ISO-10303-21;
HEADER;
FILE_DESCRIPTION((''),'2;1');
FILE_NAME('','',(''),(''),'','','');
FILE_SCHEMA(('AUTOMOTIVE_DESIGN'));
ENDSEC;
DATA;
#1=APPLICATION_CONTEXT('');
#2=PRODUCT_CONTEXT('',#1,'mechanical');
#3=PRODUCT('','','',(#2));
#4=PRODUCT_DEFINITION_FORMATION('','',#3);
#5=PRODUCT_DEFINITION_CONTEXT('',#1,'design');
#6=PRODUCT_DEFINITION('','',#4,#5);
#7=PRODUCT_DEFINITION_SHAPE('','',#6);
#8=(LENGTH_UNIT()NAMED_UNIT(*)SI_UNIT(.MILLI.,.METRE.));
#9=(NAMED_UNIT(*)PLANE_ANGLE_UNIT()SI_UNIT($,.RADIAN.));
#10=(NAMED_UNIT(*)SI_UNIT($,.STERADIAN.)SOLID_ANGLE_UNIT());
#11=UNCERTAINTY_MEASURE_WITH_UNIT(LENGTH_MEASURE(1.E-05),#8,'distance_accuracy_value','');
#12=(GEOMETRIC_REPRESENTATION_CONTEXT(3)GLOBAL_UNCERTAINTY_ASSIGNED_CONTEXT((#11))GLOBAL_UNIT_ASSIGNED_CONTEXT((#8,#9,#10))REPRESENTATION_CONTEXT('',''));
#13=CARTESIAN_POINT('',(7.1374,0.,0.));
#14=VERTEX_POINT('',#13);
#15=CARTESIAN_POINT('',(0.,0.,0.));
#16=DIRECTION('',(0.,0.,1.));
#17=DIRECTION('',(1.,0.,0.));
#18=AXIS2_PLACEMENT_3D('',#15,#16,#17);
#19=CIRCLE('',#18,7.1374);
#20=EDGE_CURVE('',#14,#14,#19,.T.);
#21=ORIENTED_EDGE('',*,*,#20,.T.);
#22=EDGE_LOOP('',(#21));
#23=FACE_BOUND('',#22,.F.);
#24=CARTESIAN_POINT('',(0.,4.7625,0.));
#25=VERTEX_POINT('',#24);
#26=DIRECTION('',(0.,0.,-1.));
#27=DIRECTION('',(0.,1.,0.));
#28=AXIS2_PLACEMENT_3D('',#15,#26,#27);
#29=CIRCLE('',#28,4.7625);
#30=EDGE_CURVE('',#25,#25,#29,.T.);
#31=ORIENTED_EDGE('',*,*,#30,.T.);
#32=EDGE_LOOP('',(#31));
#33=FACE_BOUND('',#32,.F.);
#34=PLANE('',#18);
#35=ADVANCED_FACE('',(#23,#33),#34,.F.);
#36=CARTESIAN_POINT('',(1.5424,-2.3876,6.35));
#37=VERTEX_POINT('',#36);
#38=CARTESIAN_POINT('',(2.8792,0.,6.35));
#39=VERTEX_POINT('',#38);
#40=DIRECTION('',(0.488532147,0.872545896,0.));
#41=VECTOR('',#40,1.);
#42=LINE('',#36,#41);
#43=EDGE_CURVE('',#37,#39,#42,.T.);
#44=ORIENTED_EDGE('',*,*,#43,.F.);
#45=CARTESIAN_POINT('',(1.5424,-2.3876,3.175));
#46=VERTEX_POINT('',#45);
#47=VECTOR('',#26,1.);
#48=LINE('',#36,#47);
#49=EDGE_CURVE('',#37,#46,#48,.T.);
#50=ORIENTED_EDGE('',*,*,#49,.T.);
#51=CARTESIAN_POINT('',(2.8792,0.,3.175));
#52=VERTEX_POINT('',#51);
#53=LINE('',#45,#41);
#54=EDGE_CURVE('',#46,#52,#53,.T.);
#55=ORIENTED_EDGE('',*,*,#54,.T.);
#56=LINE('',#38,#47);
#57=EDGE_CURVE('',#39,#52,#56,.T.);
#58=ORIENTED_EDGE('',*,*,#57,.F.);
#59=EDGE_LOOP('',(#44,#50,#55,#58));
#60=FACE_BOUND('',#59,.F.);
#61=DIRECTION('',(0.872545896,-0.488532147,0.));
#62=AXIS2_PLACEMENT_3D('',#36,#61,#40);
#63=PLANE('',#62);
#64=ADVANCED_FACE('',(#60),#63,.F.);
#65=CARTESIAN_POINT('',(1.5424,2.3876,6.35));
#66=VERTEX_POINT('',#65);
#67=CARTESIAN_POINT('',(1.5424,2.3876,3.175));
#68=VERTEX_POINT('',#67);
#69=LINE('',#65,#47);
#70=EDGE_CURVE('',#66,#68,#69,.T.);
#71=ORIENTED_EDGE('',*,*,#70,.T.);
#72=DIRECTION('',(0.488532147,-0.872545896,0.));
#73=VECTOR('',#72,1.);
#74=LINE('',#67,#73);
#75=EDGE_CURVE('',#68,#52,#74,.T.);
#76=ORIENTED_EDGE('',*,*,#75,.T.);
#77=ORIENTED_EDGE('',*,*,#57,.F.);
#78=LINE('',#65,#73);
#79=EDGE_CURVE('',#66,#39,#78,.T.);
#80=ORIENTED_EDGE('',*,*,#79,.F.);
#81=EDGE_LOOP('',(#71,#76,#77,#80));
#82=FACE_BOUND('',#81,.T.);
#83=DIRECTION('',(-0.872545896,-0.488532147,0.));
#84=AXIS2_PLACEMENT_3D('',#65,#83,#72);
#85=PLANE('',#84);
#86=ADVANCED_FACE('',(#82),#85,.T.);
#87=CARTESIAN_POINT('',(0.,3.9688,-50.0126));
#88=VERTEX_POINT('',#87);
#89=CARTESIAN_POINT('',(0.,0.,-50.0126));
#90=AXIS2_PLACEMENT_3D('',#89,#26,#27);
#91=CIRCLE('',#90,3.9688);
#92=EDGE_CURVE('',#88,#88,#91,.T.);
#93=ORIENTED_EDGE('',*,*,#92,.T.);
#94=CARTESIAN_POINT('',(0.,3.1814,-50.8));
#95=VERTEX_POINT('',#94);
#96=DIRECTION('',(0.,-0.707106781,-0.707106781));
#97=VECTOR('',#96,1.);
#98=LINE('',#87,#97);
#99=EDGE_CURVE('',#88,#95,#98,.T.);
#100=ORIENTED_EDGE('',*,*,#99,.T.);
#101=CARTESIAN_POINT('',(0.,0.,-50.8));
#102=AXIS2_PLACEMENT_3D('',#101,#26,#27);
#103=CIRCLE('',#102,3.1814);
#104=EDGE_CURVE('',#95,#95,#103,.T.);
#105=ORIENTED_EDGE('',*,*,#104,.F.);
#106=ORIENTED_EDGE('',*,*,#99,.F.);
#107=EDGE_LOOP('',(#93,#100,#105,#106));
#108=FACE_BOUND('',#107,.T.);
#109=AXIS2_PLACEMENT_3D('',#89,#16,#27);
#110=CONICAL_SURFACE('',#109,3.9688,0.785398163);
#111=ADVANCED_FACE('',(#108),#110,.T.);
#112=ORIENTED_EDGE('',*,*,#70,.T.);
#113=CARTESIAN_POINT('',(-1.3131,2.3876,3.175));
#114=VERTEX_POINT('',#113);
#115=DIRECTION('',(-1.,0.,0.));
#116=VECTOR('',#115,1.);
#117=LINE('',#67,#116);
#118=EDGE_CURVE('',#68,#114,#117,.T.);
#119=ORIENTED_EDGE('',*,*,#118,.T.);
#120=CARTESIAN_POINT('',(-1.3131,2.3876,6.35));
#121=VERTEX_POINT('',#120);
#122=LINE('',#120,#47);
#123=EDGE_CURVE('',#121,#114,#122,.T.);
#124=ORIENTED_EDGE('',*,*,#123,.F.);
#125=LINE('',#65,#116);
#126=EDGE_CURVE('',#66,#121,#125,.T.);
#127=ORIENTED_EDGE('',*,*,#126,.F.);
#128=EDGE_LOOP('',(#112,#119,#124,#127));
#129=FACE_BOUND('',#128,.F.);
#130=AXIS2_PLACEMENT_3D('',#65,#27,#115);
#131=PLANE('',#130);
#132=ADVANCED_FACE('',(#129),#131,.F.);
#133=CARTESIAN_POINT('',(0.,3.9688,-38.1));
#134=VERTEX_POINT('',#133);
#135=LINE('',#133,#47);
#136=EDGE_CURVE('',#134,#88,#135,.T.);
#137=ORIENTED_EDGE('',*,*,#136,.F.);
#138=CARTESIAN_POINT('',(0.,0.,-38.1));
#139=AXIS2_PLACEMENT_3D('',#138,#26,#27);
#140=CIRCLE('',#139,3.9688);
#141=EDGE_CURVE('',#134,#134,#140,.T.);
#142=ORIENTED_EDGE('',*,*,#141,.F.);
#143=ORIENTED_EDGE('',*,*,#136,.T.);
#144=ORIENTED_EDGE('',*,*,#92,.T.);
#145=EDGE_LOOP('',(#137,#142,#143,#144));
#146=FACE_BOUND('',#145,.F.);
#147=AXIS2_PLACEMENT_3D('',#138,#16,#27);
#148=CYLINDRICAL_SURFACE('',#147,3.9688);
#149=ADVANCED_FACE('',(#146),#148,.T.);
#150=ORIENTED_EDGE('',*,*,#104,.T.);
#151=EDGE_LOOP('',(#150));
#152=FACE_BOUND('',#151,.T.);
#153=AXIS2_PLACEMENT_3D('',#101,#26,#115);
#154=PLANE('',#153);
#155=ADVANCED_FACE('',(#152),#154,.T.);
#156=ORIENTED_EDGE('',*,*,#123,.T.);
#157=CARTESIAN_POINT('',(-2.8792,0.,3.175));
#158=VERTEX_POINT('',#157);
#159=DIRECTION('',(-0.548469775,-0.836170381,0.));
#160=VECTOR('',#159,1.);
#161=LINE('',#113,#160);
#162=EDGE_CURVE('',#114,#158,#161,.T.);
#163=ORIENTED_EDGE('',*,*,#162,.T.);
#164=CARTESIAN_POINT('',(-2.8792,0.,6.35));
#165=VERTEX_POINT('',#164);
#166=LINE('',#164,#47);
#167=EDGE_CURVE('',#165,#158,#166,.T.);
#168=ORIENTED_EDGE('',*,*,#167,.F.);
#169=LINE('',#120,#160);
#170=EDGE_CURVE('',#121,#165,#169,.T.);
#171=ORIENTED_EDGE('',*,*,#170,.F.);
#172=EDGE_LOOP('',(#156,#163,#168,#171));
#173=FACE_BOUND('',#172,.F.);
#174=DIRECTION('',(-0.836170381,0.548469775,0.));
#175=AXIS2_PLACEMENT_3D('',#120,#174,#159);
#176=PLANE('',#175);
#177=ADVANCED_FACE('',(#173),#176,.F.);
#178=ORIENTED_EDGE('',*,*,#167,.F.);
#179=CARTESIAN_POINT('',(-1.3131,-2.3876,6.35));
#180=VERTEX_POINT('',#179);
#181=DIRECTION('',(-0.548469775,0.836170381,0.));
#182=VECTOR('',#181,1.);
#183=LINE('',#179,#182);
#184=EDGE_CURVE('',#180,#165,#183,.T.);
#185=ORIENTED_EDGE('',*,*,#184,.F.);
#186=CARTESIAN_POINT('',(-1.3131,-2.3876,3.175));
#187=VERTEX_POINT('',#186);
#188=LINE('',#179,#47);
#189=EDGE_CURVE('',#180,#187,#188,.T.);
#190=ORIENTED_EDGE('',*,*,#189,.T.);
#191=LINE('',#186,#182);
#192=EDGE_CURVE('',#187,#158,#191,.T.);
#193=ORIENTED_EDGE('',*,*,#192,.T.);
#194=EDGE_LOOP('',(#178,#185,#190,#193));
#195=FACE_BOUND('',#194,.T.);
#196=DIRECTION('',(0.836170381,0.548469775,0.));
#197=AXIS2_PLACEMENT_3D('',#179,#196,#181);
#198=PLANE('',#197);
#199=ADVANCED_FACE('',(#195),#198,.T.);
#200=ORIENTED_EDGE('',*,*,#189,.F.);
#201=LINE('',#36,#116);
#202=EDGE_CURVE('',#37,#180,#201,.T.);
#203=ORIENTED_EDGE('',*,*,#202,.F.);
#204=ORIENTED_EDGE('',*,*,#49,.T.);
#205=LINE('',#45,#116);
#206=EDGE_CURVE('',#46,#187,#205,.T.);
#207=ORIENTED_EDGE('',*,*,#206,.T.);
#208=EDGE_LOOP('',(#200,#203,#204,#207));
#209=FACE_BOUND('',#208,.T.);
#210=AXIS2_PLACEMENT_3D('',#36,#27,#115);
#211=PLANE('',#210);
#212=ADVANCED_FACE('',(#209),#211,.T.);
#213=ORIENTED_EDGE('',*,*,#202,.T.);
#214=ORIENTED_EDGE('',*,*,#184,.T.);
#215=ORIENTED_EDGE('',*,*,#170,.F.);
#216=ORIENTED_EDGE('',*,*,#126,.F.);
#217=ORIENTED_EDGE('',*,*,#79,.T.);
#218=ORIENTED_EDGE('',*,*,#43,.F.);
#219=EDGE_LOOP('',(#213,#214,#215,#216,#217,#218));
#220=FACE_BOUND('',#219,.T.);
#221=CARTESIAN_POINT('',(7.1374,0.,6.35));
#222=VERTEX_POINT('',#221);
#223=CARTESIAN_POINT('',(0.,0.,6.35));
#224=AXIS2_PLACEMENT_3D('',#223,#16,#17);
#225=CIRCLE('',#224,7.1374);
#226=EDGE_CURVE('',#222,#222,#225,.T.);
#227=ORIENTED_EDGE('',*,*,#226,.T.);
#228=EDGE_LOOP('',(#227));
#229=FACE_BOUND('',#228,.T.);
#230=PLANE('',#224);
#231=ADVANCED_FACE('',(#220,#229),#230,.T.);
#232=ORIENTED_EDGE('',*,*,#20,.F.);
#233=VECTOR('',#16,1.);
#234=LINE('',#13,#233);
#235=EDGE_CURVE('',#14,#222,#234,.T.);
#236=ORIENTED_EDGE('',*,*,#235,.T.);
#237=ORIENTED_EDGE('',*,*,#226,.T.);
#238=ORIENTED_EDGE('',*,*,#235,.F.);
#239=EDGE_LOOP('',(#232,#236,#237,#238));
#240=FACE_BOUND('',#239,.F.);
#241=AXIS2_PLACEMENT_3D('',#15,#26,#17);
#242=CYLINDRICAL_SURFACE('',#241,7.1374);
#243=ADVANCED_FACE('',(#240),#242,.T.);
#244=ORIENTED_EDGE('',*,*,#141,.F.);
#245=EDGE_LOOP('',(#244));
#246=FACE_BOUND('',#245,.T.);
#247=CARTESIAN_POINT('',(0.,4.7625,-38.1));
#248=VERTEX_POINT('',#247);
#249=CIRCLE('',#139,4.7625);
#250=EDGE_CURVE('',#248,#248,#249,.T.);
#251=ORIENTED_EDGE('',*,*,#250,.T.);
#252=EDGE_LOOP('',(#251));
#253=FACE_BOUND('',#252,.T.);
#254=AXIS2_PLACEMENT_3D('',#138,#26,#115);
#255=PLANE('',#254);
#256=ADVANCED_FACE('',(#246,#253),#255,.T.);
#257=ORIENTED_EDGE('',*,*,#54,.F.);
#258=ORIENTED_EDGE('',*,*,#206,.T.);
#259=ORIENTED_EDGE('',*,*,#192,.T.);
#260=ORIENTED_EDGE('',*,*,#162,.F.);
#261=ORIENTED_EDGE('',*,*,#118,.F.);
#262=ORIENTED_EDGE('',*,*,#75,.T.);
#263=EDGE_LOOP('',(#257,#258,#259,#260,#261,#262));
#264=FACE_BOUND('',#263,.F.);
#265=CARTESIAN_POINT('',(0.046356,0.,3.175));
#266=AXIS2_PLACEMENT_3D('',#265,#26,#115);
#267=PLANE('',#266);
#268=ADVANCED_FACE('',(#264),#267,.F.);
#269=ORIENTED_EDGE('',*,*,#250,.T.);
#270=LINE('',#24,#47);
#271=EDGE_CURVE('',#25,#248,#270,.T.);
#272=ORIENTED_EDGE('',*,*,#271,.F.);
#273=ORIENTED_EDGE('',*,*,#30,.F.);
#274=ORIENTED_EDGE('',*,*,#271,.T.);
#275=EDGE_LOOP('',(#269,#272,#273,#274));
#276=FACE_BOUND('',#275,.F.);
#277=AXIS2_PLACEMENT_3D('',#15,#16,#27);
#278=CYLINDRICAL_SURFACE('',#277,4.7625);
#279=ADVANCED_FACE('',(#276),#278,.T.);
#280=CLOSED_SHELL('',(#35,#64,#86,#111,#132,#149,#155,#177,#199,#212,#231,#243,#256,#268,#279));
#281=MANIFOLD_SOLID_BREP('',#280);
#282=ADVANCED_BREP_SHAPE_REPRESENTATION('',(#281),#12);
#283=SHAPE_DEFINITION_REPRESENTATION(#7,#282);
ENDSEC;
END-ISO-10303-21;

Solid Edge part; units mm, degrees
sketch "Sketch1" plane through (0, 0, 0) normal (0, 0, 1) x (1, 0, 0)
  circle A0 centre (0, 0) radius 7.1374
  dimension "D1" = 14.2748
extrude "Protrusion1" add sketch "Sketch1" along normal blind 6.35
sketch "Sketch2" plane through (0, 0, 0) normal (0, 0, -1) x (0, 1, 0)
  circle A0 centre (0, 0) radius 4.7625
  dimension "D1" = 9.525
extrude "Protrusion2" add sketch "Sketch2" along normal blind 38.1
sketch "Sketch3" plane through (0, 0, -38.1) normal (0, 0, -1) x (0, 1, 0)
  circle A0 centre (0, 0) radius 3.9688
  dimension "D1" = 7.9375
extrude "Protrusion3" add sketch "Sketch3" along normal blind 12.7
sketch "Sketch4" plane through (0, 0, 6.35) normal (0, 0, 1) x (0, 1, 0)
  line L0 (-2.3876, 1.3131) -> (0, 2.8792)
  line L1 (-2.3876, -1.5424) -> (-2.3876, 1.3131)
  line L2 (-2.3876, -1.5424) -> (0, -2.8792)
  line L3 (2.3876, -1.5424) -> (0, -2.8792)
  line L4 (2.3876, -1.5424) -> (2.3876, 1.3131)
  line L5 (2.3876, 1.3131) -> (0, 2.8792)
  dimension "D1" = 4.7752
extrude "Cutout1" cut sketch "Sketch4" against normal blind 3.175
chamfer "Chamfer1" distance 0.7874 angle 45 1 edges at (0, -3.9688, -50.8)
properties part number "24105877"
